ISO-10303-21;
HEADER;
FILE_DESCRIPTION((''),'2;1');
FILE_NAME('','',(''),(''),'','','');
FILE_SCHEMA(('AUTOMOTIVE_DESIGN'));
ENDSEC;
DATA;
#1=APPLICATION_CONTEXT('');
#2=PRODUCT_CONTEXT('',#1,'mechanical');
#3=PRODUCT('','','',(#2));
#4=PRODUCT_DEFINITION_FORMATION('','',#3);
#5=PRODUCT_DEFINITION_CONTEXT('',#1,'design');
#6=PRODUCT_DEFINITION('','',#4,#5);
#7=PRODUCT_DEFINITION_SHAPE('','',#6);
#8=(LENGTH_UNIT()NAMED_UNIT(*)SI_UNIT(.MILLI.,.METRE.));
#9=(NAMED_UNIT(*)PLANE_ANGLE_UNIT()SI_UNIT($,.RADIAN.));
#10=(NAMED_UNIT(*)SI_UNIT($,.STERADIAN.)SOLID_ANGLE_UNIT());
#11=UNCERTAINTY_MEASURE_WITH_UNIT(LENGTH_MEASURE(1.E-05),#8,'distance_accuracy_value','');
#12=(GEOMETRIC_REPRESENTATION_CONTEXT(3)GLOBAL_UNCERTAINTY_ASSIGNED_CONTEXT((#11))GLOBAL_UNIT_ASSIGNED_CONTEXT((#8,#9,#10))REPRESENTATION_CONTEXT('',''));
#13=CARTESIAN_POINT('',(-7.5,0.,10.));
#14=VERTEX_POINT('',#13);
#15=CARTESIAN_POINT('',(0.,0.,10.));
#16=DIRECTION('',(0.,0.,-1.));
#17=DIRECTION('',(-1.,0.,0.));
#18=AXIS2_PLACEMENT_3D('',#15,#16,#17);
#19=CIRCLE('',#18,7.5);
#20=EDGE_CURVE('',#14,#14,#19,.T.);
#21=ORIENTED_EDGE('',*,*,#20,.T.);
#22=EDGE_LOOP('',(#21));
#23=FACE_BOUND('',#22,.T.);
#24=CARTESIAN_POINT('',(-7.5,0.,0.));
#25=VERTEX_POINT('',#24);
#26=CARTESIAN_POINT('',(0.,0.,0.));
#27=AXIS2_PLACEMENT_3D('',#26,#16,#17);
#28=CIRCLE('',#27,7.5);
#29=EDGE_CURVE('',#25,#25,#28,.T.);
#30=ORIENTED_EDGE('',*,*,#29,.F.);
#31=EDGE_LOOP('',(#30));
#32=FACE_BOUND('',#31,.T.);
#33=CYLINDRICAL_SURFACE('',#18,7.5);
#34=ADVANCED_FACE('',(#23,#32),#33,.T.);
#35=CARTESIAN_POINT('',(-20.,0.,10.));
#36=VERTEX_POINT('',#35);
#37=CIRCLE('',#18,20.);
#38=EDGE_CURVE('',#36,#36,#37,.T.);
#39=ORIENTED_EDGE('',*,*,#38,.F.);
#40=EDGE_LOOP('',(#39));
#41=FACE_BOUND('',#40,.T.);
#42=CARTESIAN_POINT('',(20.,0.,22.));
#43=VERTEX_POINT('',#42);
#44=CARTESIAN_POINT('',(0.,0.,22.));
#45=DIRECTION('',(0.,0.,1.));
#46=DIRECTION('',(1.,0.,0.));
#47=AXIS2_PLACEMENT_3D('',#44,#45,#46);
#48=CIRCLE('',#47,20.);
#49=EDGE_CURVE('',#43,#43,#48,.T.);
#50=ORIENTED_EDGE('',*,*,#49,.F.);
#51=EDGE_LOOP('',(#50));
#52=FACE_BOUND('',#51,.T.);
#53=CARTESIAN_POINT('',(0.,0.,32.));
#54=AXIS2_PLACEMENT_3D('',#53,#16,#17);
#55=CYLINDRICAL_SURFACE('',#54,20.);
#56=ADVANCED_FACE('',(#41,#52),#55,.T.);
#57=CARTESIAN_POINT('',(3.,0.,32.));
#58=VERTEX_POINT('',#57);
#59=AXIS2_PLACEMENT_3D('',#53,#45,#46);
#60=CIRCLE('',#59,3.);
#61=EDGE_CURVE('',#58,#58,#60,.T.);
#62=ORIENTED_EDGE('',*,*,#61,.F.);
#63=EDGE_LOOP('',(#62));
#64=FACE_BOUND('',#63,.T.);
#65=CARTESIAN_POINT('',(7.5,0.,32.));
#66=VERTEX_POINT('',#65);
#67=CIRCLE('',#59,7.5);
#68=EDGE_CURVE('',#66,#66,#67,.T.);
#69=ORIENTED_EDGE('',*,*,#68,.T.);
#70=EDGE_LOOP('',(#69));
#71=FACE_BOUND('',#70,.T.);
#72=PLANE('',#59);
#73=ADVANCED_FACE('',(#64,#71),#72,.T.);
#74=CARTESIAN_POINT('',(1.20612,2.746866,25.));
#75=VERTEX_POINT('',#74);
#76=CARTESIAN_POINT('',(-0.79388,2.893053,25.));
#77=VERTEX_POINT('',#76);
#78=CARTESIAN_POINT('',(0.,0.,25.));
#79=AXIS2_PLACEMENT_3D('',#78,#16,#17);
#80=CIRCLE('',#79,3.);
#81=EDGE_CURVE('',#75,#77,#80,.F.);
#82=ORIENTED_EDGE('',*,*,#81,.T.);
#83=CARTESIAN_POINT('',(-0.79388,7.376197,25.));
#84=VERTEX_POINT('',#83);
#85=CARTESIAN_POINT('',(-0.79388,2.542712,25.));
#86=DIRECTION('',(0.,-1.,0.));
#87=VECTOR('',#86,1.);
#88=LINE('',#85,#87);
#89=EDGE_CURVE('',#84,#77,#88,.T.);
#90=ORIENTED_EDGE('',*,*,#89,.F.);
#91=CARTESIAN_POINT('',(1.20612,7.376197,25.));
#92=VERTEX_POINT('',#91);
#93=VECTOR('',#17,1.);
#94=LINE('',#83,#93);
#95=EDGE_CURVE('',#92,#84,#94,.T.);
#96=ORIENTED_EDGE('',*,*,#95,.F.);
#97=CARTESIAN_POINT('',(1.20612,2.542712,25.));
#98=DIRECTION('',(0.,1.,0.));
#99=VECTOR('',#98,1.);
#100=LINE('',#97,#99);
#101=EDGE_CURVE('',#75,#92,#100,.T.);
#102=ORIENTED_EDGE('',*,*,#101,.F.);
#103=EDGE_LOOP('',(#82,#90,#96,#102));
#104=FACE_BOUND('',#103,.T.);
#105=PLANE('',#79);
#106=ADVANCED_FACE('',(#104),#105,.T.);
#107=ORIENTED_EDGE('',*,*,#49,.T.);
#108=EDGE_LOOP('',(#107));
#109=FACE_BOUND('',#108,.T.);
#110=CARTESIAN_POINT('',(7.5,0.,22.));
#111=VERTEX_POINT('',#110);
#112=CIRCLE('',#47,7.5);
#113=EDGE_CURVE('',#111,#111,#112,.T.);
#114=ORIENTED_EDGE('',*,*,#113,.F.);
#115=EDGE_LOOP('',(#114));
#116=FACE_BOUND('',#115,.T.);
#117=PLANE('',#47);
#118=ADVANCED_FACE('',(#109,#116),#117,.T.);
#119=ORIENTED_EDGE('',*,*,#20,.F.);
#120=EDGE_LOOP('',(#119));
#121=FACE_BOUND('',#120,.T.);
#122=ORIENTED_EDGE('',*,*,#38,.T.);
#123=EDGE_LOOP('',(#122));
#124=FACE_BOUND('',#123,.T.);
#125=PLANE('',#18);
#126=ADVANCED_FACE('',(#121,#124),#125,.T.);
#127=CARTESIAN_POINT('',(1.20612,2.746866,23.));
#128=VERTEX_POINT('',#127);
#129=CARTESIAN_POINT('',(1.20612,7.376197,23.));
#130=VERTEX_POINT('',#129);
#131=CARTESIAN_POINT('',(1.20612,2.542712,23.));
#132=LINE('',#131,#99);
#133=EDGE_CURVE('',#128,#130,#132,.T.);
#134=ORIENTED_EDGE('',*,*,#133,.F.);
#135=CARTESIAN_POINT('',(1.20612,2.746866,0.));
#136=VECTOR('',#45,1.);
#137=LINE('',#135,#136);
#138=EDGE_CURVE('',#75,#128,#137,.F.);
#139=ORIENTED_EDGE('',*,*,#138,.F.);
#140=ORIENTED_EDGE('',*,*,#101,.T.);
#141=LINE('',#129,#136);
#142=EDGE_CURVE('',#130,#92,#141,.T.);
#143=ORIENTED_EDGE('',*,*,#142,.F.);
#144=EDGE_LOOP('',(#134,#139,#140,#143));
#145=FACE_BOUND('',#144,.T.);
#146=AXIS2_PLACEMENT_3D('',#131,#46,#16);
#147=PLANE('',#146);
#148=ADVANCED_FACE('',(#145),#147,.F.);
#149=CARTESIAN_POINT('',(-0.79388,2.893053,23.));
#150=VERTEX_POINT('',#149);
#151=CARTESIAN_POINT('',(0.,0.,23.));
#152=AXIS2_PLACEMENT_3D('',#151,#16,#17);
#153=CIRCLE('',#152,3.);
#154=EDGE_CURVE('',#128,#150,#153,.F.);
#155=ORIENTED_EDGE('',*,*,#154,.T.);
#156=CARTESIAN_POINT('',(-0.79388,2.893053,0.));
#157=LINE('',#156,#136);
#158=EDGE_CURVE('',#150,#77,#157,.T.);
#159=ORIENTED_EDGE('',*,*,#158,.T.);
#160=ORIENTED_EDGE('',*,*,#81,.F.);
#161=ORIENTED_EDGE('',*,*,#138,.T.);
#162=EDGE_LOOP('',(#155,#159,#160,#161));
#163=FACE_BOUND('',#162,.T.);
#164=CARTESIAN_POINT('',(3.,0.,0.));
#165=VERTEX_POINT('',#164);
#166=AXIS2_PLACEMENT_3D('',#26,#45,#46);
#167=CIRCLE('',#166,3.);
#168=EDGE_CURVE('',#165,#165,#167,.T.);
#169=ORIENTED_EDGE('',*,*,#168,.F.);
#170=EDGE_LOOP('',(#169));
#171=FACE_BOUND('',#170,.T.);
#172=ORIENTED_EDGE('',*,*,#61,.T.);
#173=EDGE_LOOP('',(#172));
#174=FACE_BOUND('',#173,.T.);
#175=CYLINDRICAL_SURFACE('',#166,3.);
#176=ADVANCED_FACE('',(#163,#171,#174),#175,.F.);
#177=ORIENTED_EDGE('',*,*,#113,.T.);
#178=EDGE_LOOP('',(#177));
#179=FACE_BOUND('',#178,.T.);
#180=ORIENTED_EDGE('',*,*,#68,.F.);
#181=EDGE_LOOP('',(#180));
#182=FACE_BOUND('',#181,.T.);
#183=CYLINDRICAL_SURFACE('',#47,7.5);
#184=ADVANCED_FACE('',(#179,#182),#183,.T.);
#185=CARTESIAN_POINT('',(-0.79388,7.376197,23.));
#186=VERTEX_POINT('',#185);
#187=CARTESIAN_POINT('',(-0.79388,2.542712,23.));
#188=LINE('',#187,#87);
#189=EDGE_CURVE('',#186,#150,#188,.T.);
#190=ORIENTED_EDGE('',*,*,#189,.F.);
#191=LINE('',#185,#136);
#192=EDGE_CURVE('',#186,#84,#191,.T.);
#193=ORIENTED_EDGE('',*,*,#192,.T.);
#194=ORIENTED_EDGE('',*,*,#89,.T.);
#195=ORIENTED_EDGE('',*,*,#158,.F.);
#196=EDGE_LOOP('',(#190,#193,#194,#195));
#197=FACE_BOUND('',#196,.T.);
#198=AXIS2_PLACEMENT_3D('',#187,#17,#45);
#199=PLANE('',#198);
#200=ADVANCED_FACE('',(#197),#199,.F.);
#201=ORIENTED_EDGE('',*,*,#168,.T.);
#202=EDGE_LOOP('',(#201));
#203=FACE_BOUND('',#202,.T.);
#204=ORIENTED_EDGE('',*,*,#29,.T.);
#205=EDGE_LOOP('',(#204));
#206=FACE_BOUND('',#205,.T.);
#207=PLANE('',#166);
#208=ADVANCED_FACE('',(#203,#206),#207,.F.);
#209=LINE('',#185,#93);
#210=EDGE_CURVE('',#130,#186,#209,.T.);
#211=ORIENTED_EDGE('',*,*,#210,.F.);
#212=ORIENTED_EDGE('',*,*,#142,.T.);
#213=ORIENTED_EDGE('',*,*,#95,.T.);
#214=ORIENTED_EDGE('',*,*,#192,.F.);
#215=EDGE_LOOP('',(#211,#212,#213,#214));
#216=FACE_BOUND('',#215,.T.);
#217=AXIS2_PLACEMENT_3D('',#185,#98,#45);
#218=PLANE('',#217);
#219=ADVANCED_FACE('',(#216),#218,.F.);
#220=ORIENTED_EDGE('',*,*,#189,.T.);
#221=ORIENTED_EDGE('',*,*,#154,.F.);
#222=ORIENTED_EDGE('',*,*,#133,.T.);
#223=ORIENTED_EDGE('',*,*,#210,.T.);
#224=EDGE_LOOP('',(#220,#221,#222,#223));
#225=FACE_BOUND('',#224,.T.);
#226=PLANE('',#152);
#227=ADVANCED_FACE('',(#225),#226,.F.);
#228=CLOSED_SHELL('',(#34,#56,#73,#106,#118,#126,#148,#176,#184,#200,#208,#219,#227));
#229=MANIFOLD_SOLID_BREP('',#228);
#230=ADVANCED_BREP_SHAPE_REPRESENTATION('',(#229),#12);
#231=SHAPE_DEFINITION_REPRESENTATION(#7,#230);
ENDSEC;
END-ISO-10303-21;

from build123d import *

# Parameters (mm, degrees)
SKETCH1_R           = 20
BOSS_EXTRUDE1_DEPTH = 32
SKETCH2_R           = 3
CUT_EXTRUDE1_DEPTH  = 32
CUT_EXTRUDE2_START  = -10
SKETCH3_R           = 20
SKETCH3_R_2         = 7.5
CUT_EXTRUDE2_DEPTH  = 10
SKETCH4_R           = 20
SKETCH4_R_2         = 7.5
CUT_EXTRUDE3_DEPTH  = 10
CUT_EXTRUDE4_START  = -7
SKETCH6_W           = 2
SKETCH6_H           = 4.833484819
CUT_EXTRUDE4_DEPTH  = 2


with BuildPart() as part:
    # Sketch1 → Boss-Extrude1 (new body)
    with BuildSketch(Plane.XY):
        Circle(SKETCH1_R)
    extrude(amount=BOSS_EXTRUDE1_DEPTH)

    # Sketch2 → Cut-Extrude1 (cut)
    with BuildSketch(Plane.XY.offset(32)):
        Circle(SKETCH2_R)
    extrude(amount=-CUT_EXTRUDE1_DEPTH, mode=Mode.SUBTRACT)

    # Sketch3 → Cut-Extrude2 (cut)
    with BuildSketch(Plane.XY.offset(32).offset(CUT_EXTRUDE2_START)):
        Circle(SKETCH3_R)
        Circle(SKETCH3_R_2, mode=Mode.SUBTRACT)
    extrude(amount=CUT_EXTRUDE2_DEPTH, mode=Mode.SUBTRACT)

    # Sketch4 → Cut-Extrude3 (cut)
    with BuildSketch(Plane(origin=(0, 0, 0), x_dir=(-1, 0, 0), z_dir=(0, 0, -1))):
        Circle(SKETCH4_R)
        with Locations(Location((0, 0, 0), (0, 0, 180))):
            Circle(SKETCH4_R_2, mode=Mode.SUBTRACT)
    extrude(amount=-CUT_EXTRUDE3_DEPTH, mode=Mode.SUBTRACT)

    # Sketch6 → Cut-Extrude4 (cut)
    with BuildSketch(Plane.XY.offset(32).offset(CUT_EXTRUDE4_START)):
        with Locations((0.206120499, 4.959454821)):
            Rectangle(SKETCH6_W, SKETCH6_H)
    extrude(amount=-CUT_EXTRUDE4_DEPTH, mode=Mode.SUBTRACT)


solid = part.part
